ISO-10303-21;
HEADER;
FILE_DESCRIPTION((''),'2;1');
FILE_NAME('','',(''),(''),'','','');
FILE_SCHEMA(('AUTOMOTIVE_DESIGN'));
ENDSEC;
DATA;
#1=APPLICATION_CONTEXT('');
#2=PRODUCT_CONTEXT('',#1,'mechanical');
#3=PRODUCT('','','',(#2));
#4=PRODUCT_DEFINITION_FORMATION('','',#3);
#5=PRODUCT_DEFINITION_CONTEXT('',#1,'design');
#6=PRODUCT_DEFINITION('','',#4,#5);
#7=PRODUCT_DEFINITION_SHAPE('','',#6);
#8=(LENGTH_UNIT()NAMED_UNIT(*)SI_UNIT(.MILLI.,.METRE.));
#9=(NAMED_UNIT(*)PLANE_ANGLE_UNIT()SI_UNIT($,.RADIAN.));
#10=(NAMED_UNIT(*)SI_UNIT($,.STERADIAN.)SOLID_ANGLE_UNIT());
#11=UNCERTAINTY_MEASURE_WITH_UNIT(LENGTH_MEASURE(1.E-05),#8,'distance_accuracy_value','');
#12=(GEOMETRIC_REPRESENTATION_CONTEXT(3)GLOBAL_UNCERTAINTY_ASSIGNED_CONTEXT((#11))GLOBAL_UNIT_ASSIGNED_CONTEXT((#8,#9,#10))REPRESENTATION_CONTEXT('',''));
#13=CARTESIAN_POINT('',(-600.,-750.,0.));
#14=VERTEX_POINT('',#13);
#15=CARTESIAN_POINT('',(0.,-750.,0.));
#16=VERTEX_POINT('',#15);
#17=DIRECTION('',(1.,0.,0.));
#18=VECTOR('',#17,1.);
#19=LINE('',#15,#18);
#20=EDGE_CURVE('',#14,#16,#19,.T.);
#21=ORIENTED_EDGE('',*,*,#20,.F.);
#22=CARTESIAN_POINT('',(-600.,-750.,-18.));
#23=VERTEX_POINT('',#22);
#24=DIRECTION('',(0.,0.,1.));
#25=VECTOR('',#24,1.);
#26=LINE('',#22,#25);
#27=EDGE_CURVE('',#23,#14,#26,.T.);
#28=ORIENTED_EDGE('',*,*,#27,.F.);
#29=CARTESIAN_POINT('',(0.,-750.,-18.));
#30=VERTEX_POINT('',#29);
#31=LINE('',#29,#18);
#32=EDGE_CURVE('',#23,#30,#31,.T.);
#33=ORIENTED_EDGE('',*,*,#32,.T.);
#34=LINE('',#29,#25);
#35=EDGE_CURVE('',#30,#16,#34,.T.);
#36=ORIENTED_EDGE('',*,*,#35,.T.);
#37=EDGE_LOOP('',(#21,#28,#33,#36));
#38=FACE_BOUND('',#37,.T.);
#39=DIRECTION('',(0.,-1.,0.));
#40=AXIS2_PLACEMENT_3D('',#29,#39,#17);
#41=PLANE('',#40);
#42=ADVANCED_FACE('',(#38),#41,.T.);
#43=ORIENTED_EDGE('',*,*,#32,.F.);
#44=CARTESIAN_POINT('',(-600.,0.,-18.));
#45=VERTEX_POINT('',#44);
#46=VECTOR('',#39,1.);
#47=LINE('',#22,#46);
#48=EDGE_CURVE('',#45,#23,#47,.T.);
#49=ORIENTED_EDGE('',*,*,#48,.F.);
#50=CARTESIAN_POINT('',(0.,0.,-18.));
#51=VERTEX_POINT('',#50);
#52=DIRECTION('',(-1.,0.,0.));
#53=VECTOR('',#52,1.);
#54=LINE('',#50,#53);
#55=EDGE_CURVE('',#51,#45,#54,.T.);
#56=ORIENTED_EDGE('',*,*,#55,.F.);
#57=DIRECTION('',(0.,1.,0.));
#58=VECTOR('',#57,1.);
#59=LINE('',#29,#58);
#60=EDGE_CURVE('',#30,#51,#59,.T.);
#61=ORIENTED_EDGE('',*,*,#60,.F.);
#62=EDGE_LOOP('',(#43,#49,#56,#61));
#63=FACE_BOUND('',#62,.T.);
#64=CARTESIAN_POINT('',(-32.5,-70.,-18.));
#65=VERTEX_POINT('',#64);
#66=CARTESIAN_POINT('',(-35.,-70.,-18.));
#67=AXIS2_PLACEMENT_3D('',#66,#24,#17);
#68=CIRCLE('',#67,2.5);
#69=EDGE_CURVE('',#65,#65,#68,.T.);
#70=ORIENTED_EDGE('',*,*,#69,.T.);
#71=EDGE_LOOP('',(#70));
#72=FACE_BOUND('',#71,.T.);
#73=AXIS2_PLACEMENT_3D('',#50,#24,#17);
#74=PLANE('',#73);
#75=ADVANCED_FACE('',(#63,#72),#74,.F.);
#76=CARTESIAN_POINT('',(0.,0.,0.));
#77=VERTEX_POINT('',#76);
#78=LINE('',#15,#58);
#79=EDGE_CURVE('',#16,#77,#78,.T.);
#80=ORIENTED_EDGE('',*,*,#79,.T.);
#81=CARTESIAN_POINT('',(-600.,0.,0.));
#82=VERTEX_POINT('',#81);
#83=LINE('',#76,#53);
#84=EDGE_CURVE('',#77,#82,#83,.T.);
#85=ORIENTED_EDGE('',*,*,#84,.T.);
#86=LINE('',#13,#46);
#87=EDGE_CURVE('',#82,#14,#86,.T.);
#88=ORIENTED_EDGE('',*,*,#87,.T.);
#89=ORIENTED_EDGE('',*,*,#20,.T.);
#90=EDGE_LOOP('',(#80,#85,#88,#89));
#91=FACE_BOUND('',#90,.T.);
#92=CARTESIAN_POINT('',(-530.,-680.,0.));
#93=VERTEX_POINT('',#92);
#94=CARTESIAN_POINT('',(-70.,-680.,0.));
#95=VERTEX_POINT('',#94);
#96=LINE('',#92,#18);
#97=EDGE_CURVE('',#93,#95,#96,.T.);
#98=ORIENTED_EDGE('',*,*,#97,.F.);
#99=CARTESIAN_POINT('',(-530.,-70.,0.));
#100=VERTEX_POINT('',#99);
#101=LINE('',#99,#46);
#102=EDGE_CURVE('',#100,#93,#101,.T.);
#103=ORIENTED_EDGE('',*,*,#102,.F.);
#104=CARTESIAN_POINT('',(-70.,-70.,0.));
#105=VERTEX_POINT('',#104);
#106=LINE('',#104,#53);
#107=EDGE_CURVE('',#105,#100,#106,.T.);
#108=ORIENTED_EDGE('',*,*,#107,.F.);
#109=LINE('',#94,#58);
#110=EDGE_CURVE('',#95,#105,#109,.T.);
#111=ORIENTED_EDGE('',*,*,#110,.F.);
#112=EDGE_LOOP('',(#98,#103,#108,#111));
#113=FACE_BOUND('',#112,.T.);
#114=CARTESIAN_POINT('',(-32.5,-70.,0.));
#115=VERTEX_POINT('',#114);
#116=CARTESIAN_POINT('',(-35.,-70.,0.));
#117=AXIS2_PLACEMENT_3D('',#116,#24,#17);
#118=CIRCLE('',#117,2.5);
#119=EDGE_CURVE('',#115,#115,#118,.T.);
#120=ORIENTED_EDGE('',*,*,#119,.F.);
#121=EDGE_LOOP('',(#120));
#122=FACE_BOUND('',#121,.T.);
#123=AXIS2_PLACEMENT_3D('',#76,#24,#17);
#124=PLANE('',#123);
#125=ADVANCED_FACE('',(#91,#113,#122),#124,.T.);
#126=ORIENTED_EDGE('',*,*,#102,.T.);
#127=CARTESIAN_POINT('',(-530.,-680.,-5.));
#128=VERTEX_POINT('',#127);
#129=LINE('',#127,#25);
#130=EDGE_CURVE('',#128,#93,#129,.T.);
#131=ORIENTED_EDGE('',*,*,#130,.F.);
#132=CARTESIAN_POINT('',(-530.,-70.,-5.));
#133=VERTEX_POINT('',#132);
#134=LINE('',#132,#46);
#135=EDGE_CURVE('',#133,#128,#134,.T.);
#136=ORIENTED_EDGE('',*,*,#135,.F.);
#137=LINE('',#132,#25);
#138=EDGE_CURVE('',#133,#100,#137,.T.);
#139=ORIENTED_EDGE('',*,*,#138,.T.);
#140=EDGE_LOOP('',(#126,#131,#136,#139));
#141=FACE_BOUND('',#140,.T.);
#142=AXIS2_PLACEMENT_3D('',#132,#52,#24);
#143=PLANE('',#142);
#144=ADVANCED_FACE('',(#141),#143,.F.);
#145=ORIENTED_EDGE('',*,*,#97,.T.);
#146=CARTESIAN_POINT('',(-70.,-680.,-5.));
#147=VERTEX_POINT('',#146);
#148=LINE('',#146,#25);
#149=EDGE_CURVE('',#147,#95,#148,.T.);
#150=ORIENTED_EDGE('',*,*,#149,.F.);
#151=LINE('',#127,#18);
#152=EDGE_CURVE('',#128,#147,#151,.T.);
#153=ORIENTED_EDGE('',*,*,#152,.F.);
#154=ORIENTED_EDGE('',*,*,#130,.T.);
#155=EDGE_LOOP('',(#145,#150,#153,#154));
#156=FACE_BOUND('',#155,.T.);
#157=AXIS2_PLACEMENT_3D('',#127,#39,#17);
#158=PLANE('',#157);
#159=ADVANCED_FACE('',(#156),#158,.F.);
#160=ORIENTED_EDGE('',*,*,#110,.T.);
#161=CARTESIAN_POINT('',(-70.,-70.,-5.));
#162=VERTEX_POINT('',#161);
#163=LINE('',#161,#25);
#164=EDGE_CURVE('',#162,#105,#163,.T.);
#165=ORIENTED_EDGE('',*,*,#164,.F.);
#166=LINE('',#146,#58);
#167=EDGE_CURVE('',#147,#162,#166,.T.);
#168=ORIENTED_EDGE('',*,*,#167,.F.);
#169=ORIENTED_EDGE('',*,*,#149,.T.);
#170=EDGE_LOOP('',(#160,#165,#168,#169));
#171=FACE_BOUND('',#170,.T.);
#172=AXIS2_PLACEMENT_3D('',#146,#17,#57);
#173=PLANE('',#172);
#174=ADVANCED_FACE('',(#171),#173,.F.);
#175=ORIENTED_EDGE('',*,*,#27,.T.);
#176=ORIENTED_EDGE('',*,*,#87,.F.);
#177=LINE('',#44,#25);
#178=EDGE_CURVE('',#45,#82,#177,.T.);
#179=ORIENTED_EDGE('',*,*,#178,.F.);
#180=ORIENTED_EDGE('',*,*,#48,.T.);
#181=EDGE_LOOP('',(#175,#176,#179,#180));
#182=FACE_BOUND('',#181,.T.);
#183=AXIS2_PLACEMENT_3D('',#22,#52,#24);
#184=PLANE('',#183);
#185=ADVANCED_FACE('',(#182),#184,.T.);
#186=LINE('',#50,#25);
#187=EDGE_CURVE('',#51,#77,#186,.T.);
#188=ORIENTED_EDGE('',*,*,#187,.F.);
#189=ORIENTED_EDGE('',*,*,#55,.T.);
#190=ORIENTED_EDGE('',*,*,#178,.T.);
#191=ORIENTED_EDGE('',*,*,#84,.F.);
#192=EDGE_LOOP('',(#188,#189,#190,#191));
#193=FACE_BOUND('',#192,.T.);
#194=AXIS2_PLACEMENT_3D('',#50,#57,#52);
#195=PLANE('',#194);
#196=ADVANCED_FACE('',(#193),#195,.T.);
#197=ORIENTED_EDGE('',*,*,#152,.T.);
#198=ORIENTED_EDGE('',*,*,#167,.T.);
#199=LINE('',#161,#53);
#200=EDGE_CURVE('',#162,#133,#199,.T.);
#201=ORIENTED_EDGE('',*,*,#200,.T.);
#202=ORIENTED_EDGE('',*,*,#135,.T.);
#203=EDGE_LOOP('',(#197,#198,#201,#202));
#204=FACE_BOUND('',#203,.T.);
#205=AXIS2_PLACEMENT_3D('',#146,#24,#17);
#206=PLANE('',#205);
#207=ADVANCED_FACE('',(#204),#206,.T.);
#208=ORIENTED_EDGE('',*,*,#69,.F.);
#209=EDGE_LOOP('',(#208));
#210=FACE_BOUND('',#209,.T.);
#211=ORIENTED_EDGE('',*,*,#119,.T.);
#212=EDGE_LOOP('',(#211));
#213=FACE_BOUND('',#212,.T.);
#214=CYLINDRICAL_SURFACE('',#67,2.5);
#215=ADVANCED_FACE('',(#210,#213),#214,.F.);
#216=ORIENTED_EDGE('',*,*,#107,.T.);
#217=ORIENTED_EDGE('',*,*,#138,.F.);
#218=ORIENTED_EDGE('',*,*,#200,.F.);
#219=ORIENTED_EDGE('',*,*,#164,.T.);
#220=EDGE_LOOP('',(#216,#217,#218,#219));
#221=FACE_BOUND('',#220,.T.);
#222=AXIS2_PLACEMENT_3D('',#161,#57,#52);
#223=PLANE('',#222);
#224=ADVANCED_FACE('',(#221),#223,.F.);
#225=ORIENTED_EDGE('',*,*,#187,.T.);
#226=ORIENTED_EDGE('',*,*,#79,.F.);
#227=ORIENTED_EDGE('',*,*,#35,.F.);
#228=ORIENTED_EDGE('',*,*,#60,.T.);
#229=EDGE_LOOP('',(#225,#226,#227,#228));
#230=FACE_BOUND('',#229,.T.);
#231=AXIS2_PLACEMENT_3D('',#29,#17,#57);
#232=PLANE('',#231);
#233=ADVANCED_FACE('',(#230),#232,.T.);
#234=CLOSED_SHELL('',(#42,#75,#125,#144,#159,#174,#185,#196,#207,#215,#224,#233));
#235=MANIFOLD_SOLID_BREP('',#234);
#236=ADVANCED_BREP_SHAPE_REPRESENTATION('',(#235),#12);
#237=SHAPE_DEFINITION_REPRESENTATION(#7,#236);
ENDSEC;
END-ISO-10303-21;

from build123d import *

# Parameters (mm, degrees)
SCHIZZO1_W         = 600
SCHIZZO1_H         = 750
PANNELLO_DEPTH     = 18
SCHIZZO2_R         = 2.5
FOROMANIGLIA_DEPTH = 961.637288471
SCHIZZO3_W         = 460
SCHIZZO3_H         = 610
LAVORAZIONE_DEPTH  = 5


with BuildPart() as part:
    # Schizzo1 → Pannello (new body)
    with BuildSketch(Plane.XY):
        with Locations((-300, -375)):
            Rectangle(SCHIZZO1_W, SCHIZZO1_H)
    extrude(amount=-PANNELLO_DEPTH)

    # Schizzo2 → ForoManiglia (cut, through all)
    with BuildSketch(Plane.XY):
        with Locations((-35, -70)):
            Circle(SCHIZZO2_R)
    extrude(amount=-FOROMANIGLIA_DEPTH, mode=Mode.SUBTRACT)

    # Schizzo3 → Lavorazione (cut)
    with BuildSketch(Plane.XY):
        with Locations((-300, -375)):
            Rectangle(SCHIZZO3_W, SCHIZZO3_H)
    extrude(amount=-LAVORAZIONE_DEPTH, mode=Mode.SUBTRACT)


solid = part.part
